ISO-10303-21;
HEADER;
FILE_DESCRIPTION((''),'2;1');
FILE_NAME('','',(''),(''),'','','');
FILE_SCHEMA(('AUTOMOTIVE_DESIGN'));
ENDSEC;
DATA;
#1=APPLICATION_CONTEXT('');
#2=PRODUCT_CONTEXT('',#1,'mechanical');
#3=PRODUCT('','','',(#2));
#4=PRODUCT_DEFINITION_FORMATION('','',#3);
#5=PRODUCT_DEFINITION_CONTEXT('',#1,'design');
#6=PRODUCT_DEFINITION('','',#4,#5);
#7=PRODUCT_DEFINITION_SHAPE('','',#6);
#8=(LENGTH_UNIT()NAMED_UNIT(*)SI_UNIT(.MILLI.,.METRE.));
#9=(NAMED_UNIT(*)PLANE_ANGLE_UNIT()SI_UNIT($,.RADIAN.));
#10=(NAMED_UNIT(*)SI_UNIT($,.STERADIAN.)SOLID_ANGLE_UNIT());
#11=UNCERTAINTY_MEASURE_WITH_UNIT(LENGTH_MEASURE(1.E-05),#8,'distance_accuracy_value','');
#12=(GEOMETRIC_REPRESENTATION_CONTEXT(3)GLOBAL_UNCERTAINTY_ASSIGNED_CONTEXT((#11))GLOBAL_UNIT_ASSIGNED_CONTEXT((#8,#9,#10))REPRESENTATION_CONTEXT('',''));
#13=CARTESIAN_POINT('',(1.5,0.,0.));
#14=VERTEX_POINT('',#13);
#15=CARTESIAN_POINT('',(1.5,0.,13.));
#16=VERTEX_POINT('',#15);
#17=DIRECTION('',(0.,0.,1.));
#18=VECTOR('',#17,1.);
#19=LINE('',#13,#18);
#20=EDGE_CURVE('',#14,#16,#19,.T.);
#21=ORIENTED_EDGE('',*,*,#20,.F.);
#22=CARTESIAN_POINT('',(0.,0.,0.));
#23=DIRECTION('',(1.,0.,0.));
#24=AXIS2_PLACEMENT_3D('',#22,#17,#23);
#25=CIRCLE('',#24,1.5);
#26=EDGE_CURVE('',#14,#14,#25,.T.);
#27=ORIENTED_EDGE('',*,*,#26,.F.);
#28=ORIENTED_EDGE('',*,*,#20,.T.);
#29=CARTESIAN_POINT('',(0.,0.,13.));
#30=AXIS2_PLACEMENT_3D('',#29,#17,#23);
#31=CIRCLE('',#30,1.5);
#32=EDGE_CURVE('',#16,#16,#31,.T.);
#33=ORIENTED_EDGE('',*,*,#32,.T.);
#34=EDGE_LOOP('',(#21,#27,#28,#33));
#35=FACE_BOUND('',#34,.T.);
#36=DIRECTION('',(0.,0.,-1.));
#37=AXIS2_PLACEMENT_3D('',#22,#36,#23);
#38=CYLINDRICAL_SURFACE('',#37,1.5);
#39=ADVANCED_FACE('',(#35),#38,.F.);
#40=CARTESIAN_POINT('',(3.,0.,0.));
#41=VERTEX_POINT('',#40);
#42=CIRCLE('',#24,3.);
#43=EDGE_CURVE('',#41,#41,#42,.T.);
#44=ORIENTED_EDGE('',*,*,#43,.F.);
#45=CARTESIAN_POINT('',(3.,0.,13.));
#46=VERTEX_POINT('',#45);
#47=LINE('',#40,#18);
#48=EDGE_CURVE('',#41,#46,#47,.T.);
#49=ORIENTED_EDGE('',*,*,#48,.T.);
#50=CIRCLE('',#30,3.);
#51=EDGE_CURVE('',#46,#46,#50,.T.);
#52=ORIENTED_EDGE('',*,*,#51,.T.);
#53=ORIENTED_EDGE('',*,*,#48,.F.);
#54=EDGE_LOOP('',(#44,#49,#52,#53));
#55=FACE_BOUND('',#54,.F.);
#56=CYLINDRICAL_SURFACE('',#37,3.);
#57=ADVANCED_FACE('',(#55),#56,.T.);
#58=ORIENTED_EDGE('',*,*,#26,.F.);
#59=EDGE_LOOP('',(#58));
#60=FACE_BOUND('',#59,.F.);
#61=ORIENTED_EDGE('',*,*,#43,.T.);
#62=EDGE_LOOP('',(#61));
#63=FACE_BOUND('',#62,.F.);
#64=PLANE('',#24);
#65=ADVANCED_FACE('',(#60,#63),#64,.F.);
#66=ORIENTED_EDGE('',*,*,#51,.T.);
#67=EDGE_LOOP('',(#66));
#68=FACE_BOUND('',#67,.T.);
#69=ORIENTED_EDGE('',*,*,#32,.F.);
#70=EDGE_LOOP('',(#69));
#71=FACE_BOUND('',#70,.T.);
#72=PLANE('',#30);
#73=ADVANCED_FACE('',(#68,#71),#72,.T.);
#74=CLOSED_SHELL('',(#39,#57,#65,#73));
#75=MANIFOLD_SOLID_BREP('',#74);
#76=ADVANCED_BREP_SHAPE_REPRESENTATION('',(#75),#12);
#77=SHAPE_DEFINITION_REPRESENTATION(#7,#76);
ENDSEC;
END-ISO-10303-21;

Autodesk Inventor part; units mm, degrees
ref_plane "YZ Plane" through (0, 0, 0) normal (1, 0, 0) x (0, 1, 0)
ref_plane "XZ Plane" through (0, 0, 0) normal (0, 1, 0) x (-1, 0, 0)
ref_plane "XY Plane" through (0, 0, 0) normal (0, 0, 1) x (1, 0, 0)
sketch "スケッチ1" plane through (0, 0, 0) normal (0, 0, 1) x (1, 0, 0)
  circle A0 centre (0, 0) radius 3
  circle A1 centre (0, 0) radius 1.5
  dimension "d0" = 6
  dimension "d1" = 3
extrude "押し出し1" add sketch "スケッチ1" along normal blind 13
properties part number "スペーサーm3-12　簡易筒型" material "アルミニウム 2014-T4"
